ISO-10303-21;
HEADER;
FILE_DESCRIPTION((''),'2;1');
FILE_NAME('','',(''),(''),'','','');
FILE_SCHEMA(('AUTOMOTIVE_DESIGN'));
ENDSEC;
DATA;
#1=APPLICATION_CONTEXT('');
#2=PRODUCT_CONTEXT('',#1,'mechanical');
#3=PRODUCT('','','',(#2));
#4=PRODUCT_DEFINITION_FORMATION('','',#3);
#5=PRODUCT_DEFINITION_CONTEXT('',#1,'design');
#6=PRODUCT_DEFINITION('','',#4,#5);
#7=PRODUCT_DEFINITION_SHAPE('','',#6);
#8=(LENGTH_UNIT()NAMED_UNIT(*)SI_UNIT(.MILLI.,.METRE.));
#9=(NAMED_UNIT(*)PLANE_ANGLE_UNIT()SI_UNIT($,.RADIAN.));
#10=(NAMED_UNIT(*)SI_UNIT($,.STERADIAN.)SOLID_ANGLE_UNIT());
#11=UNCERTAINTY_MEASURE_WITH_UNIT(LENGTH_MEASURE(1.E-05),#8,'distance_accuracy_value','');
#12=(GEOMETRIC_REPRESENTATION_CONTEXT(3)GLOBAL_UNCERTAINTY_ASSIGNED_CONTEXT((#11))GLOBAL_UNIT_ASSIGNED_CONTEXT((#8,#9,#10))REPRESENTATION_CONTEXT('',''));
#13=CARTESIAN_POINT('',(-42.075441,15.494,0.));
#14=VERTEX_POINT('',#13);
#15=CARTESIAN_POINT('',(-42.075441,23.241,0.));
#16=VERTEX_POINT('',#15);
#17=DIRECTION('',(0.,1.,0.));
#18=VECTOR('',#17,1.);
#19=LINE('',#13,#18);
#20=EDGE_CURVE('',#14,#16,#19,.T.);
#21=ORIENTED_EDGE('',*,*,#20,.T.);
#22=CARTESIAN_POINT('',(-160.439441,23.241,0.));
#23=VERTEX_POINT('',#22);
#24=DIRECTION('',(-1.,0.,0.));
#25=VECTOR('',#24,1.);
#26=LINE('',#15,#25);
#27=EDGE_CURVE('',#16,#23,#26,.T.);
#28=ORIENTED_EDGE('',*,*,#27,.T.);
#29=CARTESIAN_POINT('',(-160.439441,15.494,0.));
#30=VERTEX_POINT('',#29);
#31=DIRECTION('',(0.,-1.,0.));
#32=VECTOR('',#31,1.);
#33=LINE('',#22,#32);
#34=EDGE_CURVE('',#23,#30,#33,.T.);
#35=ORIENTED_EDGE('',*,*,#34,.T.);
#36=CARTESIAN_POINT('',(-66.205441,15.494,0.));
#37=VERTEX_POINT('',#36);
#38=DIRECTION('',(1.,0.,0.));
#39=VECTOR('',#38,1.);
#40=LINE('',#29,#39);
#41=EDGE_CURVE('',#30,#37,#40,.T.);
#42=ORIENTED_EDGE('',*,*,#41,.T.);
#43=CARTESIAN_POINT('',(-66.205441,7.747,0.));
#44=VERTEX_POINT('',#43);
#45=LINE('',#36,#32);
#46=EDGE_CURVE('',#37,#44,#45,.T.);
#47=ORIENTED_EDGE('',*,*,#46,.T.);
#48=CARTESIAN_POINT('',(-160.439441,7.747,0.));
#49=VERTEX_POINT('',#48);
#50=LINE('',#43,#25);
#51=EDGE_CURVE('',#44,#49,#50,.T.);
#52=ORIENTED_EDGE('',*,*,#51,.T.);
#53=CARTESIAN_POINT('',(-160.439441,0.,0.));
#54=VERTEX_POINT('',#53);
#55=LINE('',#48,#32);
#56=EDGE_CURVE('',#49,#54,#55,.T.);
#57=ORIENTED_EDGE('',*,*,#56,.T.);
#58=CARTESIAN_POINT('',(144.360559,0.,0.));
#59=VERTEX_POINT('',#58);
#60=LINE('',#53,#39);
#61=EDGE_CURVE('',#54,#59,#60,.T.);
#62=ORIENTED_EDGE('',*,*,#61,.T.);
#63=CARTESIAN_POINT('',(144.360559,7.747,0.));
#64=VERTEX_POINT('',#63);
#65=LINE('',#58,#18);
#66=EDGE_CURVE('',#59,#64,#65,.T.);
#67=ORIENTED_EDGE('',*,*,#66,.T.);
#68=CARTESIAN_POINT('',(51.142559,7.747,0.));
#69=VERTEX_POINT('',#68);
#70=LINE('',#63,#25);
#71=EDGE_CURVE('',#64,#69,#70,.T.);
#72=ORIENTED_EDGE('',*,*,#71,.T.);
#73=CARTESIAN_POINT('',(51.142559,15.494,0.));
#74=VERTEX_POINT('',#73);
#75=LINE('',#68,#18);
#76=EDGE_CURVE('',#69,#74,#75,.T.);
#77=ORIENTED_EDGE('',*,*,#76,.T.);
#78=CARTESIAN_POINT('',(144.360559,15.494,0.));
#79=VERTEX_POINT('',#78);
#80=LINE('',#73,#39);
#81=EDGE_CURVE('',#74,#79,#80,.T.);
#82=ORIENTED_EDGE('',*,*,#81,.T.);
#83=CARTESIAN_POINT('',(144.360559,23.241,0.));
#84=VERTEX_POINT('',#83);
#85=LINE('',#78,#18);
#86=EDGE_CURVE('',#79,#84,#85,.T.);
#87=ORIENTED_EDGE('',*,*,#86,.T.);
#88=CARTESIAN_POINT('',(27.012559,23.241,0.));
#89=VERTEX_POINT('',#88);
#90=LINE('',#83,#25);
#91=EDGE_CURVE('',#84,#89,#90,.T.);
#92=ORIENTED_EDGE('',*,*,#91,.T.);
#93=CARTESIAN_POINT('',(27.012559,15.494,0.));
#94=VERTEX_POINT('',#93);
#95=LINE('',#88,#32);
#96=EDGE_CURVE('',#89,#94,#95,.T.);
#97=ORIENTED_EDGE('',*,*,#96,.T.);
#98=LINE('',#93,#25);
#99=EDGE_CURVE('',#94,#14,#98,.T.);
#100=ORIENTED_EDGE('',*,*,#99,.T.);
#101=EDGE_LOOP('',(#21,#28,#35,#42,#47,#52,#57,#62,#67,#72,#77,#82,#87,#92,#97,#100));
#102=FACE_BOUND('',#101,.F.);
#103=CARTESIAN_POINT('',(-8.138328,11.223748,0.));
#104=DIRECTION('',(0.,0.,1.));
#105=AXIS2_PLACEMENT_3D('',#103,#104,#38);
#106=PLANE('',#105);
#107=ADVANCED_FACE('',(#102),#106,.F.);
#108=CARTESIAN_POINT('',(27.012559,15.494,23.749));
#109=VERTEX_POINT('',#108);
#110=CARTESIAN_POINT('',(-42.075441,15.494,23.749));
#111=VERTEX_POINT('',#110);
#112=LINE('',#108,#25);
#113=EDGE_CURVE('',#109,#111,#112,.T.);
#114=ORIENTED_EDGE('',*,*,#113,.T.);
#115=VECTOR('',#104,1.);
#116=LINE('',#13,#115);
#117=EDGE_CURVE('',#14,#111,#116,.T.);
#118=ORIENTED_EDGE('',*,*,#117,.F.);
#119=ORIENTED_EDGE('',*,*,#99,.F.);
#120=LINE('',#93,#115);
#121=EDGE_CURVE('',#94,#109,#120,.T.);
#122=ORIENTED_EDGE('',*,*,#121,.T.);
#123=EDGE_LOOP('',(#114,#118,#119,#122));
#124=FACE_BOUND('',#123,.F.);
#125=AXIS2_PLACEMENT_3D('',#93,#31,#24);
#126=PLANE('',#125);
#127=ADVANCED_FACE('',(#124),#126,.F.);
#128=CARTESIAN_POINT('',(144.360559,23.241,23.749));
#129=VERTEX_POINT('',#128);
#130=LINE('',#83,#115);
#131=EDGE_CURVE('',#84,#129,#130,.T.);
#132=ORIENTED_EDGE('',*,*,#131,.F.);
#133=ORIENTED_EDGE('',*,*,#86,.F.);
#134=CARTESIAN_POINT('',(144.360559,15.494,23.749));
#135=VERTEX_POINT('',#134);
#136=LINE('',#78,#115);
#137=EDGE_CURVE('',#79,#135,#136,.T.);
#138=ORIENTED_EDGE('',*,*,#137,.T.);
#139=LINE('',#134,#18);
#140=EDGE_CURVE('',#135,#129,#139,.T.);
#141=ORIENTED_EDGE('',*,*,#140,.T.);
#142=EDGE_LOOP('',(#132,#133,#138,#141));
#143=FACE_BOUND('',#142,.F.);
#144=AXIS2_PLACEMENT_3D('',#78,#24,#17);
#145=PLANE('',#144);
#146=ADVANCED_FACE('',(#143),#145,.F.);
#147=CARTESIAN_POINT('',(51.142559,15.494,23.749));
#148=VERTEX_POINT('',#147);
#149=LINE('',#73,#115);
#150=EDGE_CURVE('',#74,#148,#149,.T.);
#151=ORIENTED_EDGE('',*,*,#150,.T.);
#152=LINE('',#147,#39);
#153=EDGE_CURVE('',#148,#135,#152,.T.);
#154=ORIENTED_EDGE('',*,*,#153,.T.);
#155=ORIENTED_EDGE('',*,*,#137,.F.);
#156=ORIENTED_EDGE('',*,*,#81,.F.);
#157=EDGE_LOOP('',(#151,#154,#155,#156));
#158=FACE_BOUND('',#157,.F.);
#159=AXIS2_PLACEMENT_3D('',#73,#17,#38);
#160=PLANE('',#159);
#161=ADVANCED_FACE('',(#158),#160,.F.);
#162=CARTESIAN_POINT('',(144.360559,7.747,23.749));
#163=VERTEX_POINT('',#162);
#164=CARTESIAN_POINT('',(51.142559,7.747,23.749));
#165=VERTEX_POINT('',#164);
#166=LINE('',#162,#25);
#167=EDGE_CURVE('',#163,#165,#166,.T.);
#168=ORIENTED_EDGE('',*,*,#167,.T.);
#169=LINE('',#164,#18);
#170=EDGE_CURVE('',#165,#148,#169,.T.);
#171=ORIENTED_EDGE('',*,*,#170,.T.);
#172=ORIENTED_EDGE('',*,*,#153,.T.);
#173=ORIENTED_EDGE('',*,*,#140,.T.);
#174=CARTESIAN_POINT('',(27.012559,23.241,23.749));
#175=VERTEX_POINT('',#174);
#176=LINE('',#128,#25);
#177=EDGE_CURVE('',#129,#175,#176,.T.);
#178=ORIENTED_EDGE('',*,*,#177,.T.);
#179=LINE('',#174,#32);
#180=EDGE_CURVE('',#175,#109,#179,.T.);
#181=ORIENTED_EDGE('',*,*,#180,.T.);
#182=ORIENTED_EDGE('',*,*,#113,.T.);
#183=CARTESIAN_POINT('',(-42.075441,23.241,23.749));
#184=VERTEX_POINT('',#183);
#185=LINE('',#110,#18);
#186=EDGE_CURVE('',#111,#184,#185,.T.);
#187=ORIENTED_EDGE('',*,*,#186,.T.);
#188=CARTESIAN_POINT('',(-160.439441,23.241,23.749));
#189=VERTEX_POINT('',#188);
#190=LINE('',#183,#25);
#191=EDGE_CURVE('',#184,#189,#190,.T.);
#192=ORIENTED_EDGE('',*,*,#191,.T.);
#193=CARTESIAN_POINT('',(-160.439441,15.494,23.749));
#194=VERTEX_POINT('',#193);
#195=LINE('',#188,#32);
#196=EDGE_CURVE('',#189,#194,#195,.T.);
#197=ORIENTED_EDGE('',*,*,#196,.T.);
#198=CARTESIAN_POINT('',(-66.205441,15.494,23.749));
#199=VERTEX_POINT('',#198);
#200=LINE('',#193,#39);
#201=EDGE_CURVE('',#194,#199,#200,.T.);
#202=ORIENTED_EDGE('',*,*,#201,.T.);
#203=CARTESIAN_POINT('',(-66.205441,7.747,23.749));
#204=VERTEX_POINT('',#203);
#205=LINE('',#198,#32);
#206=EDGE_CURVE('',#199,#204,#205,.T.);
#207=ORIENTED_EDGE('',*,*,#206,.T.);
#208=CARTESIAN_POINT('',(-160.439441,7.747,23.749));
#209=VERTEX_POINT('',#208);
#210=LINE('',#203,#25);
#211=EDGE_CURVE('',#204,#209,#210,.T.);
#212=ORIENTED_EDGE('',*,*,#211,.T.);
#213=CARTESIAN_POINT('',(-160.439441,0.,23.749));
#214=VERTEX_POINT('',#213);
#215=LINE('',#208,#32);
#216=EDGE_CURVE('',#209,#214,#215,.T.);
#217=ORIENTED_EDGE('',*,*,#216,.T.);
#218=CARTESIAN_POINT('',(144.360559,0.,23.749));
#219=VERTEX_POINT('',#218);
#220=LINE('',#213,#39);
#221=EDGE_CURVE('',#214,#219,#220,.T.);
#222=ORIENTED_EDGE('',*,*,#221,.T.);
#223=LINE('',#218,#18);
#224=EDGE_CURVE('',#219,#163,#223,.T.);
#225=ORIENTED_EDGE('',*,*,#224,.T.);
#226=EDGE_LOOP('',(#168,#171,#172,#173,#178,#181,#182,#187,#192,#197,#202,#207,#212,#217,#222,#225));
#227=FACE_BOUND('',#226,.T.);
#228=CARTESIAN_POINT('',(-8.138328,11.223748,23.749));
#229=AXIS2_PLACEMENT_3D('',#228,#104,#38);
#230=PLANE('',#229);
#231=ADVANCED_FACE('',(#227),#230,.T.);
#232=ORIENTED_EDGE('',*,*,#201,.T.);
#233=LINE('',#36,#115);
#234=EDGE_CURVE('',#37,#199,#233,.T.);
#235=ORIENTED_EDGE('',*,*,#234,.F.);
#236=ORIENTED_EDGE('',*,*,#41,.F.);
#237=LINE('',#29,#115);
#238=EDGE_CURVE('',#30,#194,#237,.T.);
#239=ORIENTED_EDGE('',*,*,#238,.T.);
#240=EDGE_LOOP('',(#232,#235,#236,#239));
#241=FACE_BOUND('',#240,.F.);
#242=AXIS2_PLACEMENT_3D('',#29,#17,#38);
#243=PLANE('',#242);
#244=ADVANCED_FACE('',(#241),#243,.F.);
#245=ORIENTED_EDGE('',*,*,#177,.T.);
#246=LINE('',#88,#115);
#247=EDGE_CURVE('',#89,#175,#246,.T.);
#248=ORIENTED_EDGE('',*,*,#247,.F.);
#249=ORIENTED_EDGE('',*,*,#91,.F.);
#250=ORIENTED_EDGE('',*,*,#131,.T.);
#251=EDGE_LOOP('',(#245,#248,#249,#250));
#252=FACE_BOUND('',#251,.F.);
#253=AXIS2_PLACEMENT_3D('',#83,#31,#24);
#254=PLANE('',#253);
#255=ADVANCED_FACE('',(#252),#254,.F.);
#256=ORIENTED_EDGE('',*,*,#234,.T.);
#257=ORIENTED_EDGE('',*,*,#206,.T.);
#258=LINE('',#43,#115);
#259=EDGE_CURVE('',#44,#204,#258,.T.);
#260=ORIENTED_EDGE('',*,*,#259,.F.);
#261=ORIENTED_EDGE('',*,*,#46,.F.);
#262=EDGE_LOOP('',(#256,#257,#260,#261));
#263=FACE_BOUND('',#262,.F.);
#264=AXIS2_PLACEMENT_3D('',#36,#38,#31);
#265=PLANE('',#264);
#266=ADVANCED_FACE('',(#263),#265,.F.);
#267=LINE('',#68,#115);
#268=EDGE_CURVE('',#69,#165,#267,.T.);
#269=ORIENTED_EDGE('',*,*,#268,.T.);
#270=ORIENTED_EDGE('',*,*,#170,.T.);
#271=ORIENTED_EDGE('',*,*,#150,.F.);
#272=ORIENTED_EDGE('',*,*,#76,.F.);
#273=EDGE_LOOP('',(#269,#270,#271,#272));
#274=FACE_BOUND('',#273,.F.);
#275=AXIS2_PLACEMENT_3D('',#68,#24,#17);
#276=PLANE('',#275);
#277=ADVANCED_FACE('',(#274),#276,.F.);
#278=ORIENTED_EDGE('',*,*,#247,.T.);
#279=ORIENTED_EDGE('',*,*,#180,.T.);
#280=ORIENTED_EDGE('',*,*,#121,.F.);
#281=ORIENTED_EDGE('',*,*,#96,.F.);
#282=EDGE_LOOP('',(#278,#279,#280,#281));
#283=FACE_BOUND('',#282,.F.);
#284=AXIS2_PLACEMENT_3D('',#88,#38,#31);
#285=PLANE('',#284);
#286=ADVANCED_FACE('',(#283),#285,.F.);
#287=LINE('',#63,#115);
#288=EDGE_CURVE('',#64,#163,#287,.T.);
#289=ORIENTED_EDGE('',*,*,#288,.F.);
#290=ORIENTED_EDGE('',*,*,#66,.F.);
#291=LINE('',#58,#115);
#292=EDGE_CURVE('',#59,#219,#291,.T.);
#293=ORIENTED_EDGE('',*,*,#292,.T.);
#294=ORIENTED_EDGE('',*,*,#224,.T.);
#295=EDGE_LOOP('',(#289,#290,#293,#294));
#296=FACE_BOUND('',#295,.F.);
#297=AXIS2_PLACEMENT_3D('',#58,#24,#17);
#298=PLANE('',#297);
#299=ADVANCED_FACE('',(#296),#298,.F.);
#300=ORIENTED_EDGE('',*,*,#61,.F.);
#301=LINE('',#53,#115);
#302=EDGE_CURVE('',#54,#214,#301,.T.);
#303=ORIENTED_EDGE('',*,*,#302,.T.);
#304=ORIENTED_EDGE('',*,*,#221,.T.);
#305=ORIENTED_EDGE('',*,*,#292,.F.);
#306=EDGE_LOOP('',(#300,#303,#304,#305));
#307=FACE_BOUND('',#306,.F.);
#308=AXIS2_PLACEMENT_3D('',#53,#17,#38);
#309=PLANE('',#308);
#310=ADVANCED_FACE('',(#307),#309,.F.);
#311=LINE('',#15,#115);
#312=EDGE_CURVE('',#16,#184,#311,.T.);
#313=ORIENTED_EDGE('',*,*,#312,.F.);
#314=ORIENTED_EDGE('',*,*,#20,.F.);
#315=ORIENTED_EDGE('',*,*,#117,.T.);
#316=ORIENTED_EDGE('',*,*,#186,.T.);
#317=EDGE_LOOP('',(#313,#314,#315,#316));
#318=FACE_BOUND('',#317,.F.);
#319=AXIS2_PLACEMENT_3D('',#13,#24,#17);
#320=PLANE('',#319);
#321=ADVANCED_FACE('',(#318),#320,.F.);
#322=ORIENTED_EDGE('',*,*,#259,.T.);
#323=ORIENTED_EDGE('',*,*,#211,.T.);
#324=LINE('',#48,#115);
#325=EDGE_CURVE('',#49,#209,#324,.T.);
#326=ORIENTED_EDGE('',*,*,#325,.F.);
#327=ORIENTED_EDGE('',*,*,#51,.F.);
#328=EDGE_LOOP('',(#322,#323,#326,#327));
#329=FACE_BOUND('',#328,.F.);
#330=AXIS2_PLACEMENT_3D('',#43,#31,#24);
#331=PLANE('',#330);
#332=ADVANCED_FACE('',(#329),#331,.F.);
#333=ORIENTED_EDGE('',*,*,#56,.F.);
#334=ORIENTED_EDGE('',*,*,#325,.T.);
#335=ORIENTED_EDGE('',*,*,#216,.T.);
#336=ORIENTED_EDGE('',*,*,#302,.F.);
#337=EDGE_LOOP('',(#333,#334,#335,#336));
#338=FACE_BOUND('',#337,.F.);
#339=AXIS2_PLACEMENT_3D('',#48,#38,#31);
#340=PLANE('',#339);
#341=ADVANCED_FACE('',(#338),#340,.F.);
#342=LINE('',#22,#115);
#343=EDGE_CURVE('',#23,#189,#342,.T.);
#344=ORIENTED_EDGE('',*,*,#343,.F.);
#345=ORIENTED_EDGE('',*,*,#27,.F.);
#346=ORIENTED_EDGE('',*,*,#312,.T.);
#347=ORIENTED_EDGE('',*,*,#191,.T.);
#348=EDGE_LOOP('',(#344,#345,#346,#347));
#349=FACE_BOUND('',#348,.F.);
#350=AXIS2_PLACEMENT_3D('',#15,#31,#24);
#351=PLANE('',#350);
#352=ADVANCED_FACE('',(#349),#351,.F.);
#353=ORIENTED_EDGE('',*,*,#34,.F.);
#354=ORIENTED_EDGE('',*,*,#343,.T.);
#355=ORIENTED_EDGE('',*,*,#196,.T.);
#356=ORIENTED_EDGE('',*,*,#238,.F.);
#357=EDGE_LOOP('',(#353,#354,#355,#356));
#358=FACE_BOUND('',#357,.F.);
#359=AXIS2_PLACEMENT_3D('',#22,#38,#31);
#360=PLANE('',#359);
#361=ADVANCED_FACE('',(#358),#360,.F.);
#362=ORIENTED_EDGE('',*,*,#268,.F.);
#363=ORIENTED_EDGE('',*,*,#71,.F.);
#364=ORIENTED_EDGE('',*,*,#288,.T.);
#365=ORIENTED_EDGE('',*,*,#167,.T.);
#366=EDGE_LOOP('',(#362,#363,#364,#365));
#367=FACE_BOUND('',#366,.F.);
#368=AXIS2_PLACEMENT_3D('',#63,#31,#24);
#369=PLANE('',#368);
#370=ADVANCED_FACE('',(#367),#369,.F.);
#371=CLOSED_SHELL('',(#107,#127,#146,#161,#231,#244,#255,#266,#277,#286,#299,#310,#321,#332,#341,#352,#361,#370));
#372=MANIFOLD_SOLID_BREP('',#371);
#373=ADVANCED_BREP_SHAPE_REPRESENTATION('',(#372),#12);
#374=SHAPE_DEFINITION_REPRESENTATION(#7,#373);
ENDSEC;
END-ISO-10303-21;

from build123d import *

# Parameters (mm, degrees)
F1_DEPTH = 23.749


with BuildPart() as f1:
    # F0 (on Top) → F1 (new body)
    with BuildSketch(Plane.XY):
        Polygon((-160.439441, 7.747), (-160.439441, 0), (144.360559, 0), (144.360559, 7.747), (51.142559, 7.747), (51.142559, 15.494), (144.360559, 15.494), (144.360559, 23.241), (27.012559, 23.241), (27.012559, 15.494), (-42.075441, 15.494), (-42.075441, 23.241), (-160.439441, 23.241), (-160.439441, 15.494), (-66.205441, 15.494), (-66.205441, 7.747), align=None)
    extrude(amount=F1_DEPTH)


solid = f1.part
